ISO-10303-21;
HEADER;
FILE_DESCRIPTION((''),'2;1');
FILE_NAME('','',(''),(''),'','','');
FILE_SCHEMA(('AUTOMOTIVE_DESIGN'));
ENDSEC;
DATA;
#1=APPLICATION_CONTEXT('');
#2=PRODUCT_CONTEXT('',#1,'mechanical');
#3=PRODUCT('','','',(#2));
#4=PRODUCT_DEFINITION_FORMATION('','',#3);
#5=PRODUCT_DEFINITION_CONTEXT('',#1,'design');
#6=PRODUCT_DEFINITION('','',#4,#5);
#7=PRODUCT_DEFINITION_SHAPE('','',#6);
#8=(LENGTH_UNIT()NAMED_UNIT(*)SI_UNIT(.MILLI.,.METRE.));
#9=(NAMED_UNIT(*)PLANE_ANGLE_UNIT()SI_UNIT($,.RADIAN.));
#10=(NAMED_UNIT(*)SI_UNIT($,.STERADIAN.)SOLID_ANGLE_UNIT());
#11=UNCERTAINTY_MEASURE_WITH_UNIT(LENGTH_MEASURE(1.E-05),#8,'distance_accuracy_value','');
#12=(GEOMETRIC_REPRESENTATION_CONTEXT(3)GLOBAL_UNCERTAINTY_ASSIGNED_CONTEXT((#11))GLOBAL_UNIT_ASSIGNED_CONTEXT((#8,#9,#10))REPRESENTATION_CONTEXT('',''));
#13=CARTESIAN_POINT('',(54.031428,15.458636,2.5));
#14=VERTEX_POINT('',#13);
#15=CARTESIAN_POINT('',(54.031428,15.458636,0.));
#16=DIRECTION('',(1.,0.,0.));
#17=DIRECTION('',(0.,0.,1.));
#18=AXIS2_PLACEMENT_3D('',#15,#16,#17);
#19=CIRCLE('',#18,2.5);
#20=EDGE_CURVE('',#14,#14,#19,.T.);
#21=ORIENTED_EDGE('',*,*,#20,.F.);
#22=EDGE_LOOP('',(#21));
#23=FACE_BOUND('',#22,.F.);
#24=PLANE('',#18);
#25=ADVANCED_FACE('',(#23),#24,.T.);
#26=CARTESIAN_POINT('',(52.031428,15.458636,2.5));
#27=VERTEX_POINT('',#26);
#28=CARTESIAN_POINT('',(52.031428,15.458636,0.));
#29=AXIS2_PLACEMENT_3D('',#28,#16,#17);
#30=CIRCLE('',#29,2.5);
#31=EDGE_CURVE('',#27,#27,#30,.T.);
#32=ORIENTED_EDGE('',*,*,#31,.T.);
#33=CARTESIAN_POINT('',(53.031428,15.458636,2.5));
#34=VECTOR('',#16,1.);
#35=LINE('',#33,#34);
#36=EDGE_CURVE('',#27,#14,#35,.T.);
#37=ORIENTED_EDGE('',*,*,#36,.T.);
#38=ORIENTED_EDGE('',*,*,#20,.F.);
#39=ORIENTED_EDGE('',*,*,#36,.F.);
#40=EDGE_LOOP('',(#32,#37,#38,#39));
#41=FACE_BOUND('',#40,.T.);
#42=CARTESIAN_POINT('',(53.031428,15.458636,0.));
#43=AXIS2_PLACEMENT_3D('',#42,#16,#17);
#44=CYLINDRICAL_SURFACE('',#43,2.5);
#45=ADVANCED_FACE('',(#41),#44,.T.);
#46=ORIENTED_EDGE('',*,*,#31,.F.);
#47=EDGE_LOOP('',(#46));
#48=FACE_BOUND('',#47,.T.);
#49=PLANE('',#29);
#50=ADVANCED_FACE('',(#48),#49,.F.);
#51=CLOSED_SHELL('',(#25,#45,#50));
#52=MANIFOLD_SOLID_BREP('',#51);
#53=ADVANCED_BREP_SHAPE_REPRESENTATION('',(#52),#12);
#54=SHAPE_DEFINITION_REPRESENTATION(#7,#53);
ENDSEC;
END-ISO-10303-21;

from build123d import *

# Parameters (mm, degrees)
SKETCH_1_W = 2
SKETCH_1_H = 2.5


with BuildPart() as part:
    # 草图1 → 旋转1 (revolve)
    with BuildSketch(Plane.XY, mode=Mode.PRIVATE) as revolve_1_sk:
        with Locations((53.031428099, 16.70863587)):
            Rectangle(SKETCH_1_W, SKETCH_1_H)
    revolve(revolve_1_sk.sketch.rotate(Axis((50.800160399, 15.45863587, 0), (1, 0, 0)), 90), axis=Axis((50.800160399, 15.45863587, 0), (1, 0, 0)))  # turned: the seam where the file's is


solid = part.part
